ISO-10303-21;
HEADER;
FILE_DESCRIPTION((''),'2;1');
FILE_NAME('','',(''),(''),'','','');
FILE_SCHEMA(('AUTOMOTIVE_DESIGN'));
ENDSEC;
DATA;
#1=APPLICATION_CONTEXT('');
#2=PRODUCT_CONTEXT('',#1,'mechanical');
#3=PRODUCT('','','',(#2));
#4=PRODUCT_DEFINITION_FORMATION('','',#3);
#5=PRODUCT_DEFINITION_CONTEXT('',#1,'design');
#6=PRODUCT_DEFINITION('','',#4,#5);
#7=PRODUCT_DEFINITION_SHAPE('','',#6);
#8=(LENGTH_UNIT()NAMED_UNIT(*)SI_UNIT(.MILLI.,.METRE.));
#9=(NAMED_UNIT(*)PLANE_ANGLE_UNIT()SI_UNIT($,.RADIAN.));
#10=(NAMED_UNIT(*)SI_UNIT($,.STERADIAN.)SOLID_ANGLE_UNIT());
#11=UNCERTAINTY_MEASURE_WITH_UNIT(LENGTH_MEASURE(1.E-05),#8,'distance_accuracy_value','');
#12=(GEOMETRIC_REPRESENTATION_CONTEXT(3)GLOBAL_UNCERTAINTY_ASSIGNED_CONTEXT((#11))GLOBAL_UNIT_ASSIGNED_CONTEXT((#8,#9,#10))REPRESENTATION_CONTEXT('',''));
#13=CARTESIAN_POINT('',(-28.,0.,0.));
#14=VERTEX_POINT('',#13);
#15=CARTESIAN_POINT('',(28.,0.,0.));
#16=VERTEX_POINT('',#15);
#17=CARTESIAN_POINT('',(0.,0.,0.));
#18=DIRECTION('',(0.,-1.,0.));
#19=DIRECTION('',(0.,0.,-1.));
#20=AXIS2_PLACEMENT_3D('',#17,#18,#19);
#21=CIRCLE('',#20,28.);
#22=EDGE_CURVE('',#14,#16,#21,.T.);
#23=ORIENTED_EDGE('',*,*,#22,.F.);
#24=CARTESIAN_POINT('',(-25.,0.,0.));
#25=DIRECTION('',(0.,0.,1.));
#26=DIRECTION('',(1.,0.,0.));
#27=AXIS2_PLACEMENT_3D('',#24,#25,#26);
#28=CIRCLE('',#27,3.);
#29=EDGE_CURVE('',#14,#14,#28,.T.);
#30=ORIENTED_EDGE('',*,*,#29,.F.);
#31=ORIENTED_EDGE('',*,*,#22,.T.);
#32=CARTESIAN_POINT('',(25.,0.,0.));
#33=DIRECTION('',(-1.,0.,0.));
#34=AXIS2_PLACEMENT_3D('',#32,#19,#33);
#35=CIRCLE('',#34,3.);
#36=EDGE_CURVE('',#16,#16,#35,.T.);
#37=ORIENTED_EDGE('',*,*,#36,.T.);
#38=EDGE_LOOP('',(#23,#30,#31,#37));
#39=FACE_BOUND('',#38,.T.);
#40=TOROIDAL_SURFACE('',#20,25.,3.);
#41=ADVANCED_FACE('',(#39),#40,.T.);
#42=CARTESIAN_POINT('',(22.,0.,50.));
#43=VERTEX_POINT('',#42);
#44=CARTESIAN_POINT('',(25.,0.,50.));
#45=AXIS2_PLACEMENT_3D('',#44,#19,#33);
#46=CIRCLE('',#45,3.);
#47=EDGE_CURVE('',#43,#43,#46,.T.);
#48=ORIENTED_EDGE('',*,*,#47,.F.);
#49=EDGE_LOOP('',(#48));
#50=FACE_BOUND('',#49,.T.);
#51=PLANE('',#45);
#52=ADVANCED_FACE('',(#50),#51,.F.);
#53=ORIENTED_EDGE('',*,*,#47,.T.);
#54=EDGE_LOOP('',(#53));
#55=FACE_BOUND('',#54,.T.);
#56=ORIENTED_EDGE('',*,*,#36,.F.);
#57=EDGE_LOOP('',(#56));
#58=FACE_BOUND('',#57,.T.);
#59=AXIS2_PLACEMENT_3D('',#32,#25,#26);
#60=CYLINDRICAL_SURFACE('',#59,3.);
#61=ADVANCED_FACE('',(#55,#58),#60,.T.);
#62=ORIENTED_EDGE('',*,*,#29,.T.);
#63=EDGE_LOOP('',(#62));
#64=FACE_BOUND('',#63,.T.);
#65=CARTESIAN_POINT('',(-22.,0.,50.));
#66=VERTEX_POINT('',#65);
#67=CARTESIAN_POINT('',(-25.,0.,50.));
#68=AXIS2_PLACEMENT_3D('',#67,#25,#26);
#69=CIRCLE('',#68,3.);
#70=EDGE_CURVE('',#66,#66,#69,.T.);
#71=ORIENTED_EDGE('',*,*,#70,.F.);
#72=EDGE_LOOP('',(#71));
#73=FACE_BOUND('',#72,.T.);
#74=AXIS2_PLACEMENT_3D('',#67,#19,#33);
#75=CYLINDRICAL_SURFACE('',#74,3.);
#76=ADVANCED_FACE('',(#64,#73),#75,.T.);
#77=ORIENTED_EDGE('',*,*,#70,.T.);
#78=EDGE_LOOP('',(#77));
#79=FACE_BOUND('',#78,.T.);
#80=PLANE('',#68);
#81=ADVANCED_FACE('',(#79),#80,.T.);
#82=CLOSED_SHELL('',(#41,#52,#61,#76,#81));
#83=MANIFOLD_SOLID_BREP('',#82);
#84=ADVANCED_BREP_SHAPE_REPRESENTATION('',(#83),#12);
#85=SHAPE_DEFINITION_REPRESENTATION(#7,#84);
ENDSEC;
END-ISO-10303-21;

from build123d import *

# Parameters (mm, degrees)
SZKIC2_R = 3


with BuildPart() as part:
    # Wyciągnięcie po ścieżce1: sweep along a path in Szkic1
    with BuildLine(Plane(origin=(0, 0, 0), x_dir=(1, 0, 0), z_dir=(0, 1, 0))) as wyci_gni_cie_po_cie_ce1_path:
        Line((-25, -50), (-25, 0))
        ThreePointArc((-25, 0), (0, 25), (25, 0))
        Line((25, 0), (25, -50))
    # Szkic2 → Wyciągnięcie po ścieżce1 (sweep)
    with BuildSketch(Plane.XY.offset(50)):
        with Locations((-25, 0)):
            Circle(SZKIC2_R)
    sweep(path=wyci_gni_cie_po_cie_ce1_path.line)


solid = part.part
